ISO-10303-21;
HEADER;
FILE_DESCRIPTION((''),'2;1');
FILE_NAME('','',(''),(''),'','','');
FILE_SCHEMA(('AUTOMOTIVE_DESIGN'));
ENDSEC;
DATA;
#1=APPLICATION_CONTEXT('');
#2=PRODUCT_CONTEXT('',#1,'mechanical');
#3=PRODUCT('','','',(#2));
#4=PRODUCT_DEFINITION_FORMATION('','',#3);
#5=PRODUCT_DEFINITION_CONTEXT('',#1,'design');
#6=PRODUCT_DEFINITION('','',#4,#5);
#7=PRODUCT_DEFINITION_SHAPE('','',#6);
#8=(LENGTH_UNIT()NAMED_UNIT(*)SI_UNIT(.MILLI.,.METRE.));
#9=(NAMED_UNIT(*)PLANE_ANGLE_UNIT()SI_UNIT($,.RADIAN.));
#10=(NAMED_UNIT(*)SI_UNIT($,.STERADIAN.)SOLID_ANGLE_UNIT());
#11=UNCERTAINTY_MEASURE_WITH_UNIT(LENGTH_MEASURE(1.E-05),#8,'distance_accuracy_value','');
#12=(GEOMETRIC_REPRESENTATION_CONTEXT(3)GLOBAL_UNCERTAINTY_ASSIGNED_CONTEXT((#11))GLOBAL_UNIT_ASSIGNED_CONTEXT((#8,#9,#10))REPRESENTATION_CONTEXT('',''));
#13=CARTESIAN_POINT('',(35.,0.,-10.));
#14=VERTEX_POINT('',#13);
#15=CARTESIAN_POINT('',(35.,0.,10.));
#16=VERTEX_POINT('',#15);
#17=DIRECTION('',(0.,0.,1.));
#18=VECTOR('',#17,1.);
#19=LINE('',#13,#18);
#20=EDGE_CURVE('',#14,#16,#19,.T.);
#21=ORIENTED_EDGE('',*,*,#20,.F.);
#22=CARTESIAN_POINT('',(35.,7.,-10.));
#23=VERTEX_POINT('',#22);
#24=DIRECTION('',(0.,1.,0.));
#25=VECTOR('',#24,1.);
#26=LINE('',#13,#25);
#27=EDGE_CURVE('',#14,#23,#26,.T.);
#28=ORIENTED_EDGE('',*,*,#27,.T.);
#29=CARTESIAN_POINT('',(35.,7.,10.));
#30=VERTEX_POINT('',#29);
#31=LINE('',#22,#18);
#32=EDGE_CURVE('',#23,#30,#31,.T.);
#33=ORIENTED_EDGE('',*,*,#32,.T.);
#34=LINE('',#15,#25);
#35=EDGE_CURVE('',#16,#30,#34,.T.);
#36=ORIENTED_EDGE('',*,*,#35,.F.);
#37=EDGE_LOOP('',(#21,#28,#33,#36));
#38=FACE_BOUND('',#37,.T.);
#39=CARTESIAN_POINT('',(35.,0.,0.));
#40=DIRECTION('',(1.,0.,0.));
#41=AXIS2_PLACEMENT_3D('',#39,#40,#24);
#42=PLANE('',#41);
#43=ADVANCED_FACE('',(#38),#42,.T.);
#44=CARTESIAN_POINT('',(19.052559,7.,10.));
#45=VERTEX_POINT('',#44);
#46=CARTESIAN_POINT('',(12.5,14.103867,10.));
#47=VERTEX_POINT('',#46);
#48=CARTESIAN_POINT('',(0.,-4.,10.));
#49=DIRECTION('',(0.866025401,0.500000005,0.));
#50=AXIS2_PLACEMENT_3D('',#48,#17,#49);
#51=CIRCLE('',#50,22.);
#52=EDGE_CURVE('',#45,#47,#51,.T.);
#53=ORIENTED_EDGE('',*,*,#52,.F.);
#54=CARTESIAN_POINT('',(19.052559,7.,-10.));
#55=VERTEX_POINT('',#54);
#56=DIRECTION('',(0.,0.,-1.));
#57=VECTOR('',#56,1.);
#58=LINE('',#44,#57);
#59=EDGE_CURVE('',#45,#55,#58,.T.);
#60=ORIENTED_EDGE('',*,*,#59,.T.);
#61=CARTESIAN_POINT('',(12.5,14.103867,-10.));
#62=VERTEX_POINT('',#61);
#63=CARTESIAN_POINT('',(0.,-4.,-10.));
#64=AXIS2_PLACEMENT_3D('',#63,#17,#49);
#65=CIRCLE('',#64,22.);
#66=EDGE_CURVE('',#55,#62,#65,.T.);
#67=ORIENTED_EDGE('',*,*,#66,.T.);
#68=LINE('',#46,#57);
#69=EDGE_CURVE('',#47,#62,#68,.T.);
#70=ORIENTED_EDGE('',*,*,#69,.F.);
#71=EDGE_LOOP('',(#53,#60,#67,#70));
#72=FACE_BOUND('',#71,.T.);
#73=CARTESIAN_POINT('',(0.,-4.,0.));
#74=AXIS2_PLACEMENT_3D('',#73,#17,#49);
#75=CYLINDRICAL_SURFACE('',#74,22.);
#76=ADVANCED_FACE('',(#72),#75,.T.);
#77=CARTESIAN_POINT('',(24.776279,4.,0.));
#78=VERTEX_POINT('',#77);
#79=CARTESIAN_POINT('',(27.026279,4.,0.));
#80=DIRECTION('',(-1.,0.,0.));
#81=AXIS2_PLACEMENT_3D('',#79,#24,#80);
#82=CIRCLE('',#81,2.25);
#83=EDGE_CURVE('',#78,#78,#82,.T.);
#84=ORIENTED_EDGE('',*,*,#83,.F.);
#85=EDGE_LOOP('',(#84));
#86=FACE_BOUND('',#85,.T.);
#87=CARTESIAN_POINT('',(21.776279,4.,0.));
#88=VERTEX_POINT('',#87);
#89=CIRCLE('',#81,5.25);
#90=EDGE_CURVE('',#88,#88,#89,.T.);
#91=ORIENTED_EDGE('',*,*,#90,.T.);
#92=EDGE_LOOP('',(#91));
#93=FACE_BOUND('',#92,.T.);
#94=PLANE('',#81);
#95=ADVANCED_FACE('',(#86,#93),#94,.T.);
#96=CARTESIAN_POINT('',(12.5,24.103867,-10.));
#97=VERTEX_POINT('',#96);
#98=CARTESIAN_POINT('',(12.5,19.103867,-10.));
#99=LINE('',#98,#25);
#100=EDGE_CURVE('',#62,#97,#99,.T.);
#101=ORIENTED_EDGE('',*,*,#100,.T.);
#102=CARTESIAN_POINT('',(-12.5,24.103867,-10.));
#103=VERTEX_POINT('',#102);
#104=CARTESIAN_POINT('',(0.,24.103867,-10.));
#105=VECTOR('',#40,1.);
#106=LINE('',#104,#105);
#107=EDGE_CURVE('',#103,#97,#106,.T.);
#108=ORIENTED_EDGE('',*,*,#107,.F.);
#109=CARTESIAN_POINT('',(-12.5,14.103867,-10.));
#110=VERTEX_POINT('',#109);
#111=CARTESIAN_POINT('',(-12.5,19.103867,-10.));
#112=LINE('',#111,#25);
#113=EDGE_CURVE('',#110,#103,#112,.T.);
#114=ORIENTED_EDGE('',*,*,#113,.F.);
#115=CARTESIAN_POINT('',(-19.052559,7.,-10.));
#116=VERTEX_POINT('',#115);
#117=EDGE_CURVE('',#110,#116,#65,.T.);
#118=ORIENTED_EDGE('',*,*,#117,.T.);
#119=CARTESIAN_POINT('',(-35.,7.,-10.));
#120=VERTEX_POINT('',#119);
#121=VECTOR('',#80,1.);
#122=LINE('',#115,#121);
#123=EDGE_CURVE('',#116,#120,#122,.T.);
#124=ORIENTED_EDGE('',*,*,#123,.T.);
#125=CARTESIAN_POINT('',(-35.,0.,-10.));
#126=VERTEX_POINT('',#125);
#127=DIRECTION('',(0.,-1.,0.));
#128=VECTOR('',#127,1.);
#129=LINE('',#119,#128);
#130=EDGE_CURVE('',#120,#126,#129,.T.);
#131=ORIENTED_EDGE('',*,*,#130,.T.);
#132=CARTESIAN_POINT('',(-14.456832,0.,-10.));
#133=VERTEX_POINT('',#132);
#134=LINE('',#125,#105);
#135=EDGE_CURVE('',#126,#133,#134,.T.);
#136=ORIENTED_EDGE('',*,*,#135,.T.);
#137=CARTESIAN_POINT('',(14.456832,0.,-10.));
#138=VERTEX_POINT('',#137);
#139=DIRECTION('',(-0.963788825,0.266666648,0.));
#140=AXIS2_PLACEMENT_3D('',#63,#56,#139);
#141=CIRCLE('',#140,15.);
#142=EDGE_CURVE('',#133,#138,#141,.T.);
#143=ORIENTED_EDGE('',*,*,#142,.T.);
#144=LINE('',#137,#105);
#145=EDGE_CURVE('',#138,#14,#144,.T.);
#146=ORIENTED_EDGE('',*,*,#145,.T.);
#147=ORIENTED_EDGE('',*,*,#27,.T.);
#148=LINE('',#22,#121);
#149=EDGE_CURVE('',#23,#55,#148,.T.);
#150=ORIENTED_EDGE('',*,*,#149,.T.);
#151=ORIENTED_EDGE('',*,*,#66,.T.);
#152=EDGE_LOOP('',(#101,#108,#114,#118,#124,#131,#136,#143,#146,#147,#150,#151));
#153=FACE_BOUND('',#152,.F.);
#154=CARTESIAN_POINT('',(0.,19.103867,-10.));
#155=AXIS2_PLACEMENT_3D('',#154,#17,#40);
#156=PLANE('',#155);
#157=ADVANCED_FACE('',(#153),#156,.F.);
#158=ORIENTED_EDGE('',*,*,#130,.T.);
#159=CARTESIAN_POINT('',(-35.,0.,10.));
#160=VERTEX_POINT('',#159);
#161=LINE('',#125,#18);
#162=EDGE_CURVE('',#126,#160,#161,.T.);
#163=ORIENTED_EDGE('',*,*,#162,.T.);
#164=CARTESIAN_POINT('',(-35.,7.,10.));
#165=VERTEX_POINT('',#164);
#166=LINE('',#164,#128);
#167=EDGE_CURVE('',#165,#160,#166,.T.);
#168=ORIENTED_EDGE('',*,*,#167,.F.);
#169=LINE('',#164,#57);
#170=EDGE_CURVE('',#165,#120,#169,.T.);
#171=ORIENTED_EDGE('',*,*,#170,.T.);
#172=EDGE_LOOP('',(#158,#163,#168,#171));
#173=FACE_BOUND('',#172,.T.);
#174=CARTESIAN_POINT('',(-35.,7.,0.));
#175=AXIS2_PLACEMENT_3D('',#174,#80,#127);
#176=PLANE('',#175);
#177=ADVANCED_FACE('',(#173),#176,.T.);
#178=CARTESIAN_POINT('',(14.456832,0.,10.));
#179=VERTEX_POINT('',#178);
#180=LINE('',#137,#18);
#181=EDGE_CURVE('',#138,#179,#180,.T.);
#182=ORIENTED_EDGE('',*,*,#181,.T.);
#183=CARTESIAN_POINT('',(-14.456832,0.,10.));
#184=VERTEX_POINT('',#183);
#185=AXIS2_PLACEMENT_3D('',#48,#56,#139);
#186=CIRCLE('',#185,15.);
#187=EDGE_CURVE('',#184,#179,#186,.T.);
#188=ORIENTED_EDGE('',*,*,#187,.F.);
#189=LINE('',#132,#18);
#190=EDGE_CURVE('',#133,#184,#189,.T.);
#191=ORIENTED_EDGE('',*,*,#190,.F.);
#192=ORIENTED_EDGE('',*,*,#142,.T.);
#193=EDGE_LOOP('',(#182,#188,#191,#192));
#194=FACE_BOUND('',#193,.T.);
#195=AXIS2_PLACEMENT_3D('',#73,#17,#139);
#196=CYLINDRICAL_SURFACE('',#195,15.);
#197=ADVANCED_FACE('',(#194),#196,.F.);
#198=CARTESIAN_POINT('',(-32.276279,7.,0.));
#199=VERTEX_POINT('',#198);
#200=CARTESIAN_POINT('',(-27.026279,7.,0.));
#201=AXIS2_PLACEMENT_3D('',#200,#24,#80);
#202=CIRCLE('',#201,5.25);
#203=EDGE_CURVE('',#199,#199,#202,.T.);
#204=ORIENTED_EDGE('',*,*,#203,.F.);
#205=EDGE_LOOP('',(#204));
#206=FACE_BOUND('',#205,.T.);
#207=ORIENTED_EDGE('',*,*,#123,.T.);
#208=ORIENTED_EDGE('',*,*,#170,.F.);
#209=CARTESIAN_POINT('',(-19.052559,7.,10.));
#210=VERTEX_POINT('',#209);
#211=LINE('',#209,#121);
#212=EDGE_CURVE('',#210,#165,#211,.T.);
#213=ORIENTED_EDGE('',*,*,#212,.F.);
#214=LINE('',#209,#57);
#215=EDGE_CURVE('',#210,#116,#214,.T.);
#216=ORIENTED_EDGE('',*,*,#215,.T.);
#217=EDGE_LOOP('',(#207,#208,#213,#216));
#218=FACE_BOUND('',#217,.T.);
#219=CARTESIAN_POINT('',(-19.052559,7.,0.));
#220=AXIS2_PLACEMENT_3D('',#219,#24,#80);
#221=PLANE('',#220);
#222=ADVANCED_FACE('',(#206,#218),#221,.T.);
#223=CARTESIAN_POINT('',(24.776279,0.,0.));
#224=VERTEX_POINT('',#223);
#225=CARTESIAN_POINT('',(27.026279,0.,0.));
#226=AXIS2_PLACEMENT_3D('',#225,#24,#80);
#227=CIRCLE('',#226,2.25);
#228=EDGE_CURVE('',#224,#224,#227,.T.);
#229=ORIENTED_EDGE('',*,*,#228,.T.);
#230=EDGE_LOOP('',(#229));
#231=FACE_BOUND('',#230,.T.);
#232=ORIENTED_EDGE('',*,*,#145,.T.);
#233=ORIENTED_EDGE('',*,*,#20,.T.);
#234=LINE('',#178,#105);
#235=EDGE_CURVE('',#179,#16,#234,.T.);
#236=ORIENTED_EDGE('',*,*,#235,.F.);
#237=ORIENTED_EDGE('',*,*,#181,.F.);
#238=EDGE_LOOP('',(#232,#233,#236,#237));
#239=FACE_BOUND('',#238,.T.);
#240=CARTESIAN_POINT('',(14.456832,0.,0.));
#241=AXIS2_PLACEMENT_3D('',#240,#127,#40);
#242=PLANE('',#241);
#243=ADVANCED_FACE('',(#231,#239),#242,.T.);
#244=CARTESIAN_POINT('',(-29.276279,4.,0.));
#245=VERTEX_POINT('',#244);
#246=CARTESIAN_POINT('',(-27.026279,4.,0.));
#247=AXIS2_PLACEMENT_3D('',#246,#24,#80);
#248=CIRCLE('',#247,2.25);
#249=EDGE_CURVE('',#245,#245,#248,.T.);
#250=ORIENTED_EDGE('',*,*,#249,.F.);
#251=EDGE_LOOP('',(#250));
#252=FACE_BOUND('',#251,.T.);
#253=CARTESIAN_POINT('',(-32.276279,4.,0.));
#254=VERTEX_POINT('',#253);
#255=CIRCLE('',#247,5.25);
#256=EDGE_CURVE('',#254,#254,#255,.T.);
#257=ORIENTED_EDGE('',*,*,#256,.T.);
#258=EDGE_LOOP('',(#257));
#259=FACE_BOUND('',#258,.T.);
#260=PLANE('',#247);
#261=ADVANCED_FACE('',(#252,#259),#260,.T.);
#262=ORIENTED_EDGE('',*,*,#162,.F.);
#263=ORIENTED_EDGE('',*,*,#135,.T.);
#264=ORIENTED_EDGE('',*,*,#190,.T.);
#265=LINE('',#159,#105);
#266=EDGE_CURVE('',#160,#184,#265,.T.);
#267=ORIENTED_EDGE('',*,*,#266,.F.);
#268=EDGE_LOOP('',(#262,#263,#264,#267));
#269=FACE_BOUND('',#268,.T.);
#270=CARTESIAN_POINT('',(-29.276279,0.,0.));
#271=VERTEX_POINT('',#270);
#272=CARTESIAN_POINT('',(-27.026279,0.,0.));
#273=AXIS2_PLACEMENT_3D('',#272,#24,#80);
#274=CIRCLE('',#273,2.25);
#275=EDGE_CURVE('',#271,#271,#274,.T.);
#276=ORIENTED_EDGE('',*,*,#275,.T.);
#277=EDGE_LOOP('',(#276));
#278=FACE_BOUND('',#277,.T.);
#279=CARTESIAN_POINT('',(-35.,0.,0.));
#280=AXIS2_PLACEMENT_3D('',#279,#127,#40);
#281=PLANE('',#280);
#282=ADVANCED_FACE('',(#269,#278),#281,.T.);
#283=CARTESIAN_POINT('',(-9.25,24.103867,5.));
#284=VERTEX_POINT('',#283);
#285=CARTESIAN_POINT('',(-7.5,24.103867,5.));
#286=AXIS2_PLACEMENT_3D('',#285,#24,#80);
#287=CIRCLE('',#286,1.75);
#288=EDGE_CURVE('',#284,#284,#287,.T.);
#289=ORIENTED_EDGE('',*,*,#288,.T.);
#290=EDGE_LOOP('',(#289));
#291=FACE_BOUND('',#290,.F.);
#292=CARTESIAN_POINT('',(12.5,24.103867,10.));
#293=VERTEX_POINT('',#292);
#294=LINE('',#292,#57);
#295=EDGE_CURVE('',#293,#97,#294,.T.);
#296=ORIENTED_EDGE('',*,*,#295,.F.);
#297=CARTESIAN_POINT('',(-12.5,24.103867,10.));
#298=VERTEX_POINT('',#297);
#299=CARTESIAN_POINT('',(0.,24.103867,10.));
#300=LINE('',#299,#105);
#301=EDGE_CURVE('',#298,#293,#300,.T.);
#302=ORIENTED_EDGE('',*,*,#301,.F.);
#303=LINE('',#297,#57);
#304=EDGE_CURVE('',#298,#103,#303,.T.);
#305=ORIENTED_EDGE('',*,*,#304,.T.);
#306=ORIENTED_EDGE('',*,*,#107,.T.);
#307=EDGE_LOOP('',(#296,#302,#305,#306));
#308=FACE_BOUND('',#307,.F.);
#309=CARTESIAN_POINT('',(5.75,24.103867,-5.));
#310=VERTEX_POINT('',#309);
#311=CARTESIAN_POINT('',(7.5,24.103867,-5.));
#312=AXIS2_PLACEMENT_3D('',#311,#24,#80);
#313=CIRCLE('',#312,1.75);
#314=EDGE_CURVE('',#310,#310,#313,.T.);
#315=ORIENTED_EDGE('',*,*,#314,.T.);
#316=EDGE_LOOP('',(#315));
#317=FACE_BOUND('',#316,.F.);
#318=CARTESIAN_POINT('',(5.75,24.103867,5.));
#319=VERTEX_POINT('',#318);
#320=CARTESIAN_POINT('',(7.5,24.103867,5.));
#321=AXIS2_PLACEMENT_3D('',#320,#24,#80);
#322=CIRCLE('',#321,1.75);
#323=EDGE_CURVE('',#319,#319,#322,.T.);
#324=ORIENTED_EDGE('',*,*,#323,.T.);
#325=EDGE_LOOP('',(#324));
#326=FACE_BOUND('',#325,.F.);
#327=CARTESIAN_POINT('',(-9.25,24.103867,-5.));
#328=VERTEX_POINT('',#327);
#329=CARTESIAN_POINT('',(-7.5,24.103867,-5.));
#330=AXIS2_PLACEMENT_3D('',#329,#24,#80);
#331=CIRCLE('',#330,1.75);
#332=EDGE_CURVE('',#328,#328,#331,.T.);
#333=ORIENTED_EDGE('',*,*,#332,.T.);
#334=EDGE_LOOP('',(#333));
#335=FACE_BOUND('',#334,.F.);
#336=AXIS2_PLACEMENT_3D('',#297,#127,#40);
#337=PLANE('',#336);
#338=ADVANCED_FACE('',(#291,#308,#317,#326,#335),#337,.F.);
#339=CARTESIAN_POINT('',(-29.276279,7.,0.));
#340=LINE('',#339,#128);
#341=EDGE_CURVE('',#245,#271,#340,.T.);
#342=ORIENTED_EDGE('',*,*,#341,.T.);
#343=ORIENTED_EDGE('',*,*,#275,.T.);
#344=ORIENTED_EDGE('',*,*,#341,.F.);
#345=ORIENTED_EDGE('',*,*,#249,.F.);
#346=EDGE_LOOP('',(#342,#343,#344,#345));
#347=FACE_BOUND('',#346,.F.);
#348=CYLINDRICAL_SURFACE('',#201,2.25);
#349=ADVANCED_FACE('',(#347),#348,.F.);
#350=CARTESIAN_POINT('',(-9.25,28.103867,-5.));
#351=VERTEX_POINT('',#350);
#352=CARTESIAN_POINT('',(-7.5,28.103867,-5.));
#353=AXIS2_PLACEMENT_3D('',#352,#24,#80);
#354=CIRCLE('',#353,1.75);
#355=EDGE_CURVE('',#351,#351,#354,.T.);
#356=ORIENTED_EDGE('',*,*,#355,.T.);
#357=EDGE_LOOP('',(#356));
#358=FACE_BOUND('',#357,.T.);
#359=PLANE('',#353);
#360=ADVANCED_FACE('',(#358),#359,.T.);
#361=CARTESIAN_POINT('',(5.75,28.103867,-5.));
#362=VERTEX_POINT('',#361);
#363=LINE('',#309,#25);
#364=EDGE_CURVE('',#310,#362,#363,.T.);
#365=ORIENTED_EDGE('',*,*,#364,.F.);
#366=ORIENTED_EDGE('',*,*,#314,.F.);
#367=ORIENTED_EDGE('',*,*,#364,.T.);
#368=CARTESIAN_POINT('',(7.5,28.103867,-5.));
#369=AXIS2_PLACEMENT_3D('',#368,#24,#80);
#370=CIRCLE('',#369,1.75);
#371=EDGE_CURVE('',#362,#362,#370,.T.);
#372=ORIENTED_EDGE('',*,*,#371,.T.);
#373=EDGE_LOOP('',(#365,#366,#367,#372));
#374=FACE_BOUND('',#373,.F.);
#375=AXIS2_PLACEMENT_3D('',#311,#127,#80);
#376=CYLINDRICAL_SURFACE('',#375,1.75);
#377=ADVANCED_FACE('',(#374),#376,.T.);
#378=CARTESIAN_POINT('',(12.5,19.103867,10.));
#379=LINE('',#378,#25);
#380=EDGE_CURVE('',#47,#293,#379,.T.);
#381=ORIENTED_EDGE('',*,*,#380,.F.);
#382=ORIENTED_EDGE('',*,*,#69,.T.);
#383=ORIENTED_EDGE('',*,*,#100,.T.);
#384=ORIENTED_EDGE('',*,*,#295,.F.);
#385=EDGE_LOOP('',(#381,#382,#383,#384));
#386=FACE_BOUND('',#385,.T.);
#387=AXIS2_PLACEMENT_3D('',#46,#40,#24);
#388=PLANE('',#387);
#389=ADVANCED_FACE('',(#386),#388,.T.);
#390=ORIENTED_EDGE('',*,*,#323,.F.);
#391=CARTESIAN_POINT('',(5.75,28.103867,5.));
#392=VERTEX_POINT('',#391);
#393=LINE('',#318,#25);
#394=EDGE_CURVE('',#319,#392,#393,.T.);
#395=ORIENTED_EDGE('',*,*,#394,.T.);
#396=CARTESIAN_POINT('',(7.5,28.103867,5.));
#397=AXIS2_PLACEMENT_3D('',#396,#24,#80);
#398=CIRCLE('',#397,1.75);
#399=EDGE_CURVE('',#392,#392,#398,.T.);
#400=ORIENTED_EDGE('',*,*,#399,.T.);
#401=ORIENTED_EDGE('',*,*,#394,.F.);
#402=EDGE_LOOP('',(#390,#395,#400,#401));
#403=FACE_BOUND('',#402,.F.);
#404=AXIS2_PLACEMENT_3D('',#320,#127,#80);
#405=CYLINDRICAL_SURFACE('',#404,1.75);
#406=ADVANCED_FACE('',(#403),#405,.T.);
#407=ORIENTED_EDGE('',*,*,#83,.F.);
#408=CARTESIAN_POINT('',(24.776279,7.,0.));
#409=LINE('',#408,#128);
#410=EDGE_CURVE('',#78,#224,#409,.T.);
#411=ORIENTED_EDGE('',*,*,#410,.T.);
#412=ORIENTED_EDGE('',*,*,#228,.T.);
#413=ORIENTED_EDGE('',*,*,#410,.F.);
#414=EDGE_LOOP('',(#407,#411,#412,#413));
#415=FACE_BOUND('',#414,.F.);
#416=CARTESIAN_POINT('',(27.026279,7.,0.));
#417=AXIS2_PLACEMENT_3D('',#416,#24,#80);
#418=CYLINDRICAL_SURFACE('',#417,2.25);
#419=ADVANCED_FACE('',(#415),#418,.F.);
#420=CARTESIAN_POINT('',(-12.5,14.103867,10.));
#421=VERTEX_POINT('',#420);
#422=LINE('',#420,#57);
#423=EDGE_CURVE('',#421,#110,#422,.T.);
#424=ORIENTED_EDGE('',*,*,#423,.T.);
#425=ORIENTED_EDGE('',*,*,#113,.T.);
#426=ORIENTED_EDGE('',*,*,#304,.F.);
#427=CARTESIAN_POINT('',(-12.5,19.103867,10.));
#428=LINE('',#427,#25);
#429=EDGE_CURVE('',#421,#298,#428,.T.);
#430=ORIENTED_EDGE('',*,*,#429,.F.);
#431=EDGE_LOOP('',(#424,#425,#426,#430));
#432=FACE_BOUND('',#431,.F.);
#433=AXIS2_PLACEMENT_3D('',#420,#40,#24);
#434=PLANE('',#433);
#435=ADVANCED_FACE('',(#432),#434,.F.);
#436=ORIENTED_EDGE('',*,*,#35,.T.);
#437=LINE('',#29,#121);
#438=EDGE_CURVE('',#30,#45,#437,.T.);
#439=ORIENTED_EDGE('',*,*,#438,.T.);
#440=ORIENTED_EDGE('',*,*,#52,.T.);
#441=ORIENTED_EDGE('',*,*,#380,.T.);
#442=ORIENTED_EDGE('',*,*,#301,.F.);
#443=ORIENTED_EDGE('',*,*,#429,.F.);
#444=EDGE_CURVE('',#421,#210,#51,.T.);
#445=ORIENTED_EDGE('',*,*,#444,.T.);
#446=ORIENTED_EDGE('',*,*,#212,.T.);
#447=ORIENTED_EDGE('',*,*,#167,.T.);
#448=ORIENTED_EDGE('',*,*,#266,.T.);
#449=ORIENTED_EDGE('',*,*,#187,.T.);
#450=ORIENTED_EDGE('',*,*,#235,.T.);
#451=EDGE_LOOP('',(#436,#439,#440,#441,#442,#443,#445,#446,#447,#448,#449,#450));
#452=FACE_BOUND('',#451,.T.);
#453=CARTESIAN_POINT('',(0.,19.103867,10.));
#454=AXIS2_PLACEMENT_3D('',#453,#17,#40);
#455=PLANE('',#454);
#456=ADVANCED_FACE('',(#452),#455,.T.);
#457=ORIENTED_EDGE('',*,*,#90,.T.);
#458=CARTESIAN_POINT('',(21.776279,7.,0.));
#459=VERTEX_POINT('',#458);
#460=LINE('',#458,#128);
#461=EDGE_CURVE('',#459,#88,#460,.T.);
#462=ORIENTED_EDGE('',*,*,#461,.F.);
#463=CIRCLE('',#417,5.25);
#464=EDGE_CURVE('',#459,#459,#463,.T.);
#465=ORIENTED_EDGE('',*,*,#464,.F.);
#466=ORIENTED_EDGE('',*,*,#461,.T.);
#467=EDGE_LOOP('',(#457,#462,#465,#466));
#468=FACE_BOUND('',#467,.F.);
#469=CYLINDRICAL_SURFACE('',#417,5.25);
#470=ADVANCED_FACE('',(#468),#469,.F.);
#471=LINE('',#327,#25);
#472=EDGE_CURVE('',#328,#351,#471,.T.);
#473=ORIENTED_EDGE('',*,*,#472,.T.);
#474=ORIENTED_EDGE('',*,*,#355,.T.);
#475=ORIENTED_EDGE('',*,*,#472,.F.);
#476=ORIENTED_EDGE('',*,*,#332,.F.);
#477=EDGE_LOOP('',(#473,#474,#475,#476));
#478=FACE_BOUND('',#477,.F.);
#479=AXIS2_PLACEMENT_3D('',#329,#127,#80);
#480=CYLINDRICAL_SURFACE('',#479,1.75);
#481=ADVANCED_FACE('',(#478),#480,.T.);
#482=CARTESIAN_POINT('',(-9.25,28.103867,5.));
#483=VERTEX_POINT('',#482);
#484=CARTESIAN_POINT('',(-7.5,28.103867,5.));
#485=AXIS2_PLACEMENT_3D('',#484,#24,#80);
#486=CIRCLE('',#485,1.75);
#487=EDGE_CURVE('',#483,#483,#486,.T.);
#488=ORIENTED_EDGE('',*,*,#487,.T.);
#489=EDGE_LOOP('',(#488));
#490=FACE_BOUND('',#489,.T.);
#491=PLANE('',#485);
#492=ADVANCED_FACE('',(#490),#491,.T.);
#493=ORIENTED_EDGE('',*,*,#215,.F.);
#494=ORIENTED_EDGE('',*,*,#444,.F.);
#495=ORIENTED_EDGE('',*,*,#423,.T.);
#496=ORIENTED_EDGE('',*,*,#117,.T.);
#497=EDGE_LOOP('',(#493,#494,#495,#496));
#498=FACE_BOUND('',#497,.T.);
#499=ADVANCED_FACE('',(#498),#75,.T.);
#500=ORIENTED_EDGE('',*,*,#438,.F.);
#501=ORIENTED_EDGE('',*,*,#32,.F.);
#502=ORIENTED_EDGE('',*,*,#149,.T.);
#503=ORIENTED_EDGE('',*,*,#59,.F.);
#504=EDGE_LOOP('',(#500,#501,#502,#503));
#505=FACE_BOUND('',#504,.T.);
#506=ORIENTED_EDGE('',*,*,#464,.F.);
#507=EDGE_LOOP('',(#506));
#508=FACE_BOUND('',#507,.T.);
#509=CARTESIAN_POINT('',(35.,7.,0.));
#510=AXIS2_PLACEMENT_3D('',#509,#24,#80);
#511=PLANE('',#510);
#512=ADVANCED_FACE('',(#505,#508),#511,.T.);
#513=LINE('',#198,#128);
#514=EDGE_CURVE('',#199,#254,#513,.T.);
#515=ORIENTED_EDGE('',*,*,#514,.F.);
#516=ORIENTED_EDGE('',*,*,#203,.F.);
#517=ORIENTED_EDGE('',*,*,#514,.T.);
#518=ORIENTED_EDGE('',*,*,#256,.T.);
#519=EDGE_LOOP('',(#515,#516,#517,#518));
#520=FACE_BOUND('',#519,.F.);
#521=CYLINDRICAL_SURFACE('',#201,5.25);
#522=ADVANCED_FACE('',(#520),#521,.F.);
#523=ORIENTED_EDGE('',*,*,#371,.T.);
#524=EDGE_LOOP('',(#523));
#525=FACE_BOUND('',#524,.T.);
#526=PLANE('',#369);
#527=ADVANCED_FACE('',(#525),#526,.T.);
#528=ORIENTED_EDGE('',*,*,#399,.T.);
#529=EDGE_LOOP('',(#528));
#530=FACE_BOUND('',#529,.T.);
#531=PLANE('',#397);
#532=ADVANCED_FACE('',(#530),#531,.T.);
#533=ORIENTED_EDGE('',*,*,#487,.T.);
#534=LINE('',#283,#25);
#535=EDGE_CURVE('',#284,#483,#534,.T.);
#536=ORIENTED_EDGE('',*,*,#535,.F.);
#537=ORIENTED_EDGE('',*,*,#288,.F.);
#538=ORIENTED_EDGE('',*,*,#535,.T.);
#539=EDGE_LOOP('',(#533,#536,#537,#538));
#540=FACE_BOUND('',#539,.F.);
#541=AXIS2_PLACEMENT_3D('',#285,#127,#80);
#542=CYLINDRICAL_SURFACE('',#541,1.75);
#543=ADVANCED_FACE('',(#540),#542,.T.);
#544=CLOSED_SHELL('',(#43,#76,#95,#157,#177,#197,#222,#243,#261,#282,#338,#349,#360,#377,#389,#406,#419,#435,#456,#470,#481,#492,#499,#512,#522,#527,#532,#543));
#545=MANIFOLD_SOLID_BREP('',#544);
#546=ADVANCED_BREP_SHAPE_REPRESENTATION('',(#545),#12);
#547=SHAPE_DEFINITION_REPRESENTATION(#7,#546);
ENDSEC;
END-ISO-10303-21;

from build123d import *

# Parameters (mm, degrees)
F1_DEPTH = 10
F2_R     = 2.25
F3_DEPTH = 25
F4_R     = 5.25
F4_R_2   = 2.25
F5_DEPTH = 3
F6_W     = 25
F6_H     = 10
F7_DEPTH = 20
F8_R     = 1.75
F9_DEPTH = 4


with BuildPart() as f1:
    # F0 (on Top) → F1 (new body, symmetric)
    with BuildSketch(Plane.XY):
        with BuildLine():
            Line((-35, 7), (-35, 0))
            Line((-35, 0), (-14.456832, 0))
            ThreePointArc((-14.456832, 0), (0, 11), (14.456832, 0))
            Line((14.456832, 0), (35, 0))
            Line((35, 0), (35, 7))
            Line((35, 7), (19.052559, 7))
            ThreePointArc((19.052559, 7), (0, 18), (-19.052559, 7))
            Line((-19.052559, 7), (-35, 7))
        make_face()
    extrude(amount=F1_DEPTH, both=True)

    # F2 (on face) → F3 (cut)
    with BuildSketch(Plane(origin=(0, 7, 0), x_dir=(-1, 0, 0), z_dir=(0, 1, 0))):
        with Locations((-27.026279, 0)):
            Circle(F2_R)
        with Locations((27.026279, 0)):
            Circle(F2_R)
    extrude(amount=-F3_DEPTH, mode=Mode.SUBTRACT)

    # F4 (on face) → F5 (cut)
    with BuildSketch(Plane(origin=(0, 7, 0), x_dir=(-1, 0, 0), z_dir=(0, 1, 0))):
        with Locations((27.026279, 0)):
            Circle(F4_R)
        with Locations((27.026279, 0)):
            Circle(F4_R_2, mode=Mode.SUBTRACT)
        with Locations((-27.026279, 0)):
            Circle(F4_R)
    extrude(amount=-F5_DEPTH, mode=Mode.SUBTRACT)

    # F6 (on face) → F7 (join)
    with BuildSketch(Plane.XY.offset(10)):
        with Locations((0, 19.103867)):
            Rectangle(F6_W, F6_H)
    extrude(amount=-F7_DEPTH)

    # F8 (on face) → F9 (join)
    with BuildSketch(Plane(origin=(0, 24.103867, 0), x_dir=(-1, 0, 0), z_dir=(0, 1, 0))):
        with Locations((7.5, -5)):
            Circle(F8_R)
        with Locations((-7.5, -5)):
            Circle(F8_R)
        with Locations((7.5, 5)):
            Circle(F8_R)
        with Locations((-7.5, 5)):
            Circle(F8_R)
    extrude(amount=F9_DEPTH)


solid = f1.part
